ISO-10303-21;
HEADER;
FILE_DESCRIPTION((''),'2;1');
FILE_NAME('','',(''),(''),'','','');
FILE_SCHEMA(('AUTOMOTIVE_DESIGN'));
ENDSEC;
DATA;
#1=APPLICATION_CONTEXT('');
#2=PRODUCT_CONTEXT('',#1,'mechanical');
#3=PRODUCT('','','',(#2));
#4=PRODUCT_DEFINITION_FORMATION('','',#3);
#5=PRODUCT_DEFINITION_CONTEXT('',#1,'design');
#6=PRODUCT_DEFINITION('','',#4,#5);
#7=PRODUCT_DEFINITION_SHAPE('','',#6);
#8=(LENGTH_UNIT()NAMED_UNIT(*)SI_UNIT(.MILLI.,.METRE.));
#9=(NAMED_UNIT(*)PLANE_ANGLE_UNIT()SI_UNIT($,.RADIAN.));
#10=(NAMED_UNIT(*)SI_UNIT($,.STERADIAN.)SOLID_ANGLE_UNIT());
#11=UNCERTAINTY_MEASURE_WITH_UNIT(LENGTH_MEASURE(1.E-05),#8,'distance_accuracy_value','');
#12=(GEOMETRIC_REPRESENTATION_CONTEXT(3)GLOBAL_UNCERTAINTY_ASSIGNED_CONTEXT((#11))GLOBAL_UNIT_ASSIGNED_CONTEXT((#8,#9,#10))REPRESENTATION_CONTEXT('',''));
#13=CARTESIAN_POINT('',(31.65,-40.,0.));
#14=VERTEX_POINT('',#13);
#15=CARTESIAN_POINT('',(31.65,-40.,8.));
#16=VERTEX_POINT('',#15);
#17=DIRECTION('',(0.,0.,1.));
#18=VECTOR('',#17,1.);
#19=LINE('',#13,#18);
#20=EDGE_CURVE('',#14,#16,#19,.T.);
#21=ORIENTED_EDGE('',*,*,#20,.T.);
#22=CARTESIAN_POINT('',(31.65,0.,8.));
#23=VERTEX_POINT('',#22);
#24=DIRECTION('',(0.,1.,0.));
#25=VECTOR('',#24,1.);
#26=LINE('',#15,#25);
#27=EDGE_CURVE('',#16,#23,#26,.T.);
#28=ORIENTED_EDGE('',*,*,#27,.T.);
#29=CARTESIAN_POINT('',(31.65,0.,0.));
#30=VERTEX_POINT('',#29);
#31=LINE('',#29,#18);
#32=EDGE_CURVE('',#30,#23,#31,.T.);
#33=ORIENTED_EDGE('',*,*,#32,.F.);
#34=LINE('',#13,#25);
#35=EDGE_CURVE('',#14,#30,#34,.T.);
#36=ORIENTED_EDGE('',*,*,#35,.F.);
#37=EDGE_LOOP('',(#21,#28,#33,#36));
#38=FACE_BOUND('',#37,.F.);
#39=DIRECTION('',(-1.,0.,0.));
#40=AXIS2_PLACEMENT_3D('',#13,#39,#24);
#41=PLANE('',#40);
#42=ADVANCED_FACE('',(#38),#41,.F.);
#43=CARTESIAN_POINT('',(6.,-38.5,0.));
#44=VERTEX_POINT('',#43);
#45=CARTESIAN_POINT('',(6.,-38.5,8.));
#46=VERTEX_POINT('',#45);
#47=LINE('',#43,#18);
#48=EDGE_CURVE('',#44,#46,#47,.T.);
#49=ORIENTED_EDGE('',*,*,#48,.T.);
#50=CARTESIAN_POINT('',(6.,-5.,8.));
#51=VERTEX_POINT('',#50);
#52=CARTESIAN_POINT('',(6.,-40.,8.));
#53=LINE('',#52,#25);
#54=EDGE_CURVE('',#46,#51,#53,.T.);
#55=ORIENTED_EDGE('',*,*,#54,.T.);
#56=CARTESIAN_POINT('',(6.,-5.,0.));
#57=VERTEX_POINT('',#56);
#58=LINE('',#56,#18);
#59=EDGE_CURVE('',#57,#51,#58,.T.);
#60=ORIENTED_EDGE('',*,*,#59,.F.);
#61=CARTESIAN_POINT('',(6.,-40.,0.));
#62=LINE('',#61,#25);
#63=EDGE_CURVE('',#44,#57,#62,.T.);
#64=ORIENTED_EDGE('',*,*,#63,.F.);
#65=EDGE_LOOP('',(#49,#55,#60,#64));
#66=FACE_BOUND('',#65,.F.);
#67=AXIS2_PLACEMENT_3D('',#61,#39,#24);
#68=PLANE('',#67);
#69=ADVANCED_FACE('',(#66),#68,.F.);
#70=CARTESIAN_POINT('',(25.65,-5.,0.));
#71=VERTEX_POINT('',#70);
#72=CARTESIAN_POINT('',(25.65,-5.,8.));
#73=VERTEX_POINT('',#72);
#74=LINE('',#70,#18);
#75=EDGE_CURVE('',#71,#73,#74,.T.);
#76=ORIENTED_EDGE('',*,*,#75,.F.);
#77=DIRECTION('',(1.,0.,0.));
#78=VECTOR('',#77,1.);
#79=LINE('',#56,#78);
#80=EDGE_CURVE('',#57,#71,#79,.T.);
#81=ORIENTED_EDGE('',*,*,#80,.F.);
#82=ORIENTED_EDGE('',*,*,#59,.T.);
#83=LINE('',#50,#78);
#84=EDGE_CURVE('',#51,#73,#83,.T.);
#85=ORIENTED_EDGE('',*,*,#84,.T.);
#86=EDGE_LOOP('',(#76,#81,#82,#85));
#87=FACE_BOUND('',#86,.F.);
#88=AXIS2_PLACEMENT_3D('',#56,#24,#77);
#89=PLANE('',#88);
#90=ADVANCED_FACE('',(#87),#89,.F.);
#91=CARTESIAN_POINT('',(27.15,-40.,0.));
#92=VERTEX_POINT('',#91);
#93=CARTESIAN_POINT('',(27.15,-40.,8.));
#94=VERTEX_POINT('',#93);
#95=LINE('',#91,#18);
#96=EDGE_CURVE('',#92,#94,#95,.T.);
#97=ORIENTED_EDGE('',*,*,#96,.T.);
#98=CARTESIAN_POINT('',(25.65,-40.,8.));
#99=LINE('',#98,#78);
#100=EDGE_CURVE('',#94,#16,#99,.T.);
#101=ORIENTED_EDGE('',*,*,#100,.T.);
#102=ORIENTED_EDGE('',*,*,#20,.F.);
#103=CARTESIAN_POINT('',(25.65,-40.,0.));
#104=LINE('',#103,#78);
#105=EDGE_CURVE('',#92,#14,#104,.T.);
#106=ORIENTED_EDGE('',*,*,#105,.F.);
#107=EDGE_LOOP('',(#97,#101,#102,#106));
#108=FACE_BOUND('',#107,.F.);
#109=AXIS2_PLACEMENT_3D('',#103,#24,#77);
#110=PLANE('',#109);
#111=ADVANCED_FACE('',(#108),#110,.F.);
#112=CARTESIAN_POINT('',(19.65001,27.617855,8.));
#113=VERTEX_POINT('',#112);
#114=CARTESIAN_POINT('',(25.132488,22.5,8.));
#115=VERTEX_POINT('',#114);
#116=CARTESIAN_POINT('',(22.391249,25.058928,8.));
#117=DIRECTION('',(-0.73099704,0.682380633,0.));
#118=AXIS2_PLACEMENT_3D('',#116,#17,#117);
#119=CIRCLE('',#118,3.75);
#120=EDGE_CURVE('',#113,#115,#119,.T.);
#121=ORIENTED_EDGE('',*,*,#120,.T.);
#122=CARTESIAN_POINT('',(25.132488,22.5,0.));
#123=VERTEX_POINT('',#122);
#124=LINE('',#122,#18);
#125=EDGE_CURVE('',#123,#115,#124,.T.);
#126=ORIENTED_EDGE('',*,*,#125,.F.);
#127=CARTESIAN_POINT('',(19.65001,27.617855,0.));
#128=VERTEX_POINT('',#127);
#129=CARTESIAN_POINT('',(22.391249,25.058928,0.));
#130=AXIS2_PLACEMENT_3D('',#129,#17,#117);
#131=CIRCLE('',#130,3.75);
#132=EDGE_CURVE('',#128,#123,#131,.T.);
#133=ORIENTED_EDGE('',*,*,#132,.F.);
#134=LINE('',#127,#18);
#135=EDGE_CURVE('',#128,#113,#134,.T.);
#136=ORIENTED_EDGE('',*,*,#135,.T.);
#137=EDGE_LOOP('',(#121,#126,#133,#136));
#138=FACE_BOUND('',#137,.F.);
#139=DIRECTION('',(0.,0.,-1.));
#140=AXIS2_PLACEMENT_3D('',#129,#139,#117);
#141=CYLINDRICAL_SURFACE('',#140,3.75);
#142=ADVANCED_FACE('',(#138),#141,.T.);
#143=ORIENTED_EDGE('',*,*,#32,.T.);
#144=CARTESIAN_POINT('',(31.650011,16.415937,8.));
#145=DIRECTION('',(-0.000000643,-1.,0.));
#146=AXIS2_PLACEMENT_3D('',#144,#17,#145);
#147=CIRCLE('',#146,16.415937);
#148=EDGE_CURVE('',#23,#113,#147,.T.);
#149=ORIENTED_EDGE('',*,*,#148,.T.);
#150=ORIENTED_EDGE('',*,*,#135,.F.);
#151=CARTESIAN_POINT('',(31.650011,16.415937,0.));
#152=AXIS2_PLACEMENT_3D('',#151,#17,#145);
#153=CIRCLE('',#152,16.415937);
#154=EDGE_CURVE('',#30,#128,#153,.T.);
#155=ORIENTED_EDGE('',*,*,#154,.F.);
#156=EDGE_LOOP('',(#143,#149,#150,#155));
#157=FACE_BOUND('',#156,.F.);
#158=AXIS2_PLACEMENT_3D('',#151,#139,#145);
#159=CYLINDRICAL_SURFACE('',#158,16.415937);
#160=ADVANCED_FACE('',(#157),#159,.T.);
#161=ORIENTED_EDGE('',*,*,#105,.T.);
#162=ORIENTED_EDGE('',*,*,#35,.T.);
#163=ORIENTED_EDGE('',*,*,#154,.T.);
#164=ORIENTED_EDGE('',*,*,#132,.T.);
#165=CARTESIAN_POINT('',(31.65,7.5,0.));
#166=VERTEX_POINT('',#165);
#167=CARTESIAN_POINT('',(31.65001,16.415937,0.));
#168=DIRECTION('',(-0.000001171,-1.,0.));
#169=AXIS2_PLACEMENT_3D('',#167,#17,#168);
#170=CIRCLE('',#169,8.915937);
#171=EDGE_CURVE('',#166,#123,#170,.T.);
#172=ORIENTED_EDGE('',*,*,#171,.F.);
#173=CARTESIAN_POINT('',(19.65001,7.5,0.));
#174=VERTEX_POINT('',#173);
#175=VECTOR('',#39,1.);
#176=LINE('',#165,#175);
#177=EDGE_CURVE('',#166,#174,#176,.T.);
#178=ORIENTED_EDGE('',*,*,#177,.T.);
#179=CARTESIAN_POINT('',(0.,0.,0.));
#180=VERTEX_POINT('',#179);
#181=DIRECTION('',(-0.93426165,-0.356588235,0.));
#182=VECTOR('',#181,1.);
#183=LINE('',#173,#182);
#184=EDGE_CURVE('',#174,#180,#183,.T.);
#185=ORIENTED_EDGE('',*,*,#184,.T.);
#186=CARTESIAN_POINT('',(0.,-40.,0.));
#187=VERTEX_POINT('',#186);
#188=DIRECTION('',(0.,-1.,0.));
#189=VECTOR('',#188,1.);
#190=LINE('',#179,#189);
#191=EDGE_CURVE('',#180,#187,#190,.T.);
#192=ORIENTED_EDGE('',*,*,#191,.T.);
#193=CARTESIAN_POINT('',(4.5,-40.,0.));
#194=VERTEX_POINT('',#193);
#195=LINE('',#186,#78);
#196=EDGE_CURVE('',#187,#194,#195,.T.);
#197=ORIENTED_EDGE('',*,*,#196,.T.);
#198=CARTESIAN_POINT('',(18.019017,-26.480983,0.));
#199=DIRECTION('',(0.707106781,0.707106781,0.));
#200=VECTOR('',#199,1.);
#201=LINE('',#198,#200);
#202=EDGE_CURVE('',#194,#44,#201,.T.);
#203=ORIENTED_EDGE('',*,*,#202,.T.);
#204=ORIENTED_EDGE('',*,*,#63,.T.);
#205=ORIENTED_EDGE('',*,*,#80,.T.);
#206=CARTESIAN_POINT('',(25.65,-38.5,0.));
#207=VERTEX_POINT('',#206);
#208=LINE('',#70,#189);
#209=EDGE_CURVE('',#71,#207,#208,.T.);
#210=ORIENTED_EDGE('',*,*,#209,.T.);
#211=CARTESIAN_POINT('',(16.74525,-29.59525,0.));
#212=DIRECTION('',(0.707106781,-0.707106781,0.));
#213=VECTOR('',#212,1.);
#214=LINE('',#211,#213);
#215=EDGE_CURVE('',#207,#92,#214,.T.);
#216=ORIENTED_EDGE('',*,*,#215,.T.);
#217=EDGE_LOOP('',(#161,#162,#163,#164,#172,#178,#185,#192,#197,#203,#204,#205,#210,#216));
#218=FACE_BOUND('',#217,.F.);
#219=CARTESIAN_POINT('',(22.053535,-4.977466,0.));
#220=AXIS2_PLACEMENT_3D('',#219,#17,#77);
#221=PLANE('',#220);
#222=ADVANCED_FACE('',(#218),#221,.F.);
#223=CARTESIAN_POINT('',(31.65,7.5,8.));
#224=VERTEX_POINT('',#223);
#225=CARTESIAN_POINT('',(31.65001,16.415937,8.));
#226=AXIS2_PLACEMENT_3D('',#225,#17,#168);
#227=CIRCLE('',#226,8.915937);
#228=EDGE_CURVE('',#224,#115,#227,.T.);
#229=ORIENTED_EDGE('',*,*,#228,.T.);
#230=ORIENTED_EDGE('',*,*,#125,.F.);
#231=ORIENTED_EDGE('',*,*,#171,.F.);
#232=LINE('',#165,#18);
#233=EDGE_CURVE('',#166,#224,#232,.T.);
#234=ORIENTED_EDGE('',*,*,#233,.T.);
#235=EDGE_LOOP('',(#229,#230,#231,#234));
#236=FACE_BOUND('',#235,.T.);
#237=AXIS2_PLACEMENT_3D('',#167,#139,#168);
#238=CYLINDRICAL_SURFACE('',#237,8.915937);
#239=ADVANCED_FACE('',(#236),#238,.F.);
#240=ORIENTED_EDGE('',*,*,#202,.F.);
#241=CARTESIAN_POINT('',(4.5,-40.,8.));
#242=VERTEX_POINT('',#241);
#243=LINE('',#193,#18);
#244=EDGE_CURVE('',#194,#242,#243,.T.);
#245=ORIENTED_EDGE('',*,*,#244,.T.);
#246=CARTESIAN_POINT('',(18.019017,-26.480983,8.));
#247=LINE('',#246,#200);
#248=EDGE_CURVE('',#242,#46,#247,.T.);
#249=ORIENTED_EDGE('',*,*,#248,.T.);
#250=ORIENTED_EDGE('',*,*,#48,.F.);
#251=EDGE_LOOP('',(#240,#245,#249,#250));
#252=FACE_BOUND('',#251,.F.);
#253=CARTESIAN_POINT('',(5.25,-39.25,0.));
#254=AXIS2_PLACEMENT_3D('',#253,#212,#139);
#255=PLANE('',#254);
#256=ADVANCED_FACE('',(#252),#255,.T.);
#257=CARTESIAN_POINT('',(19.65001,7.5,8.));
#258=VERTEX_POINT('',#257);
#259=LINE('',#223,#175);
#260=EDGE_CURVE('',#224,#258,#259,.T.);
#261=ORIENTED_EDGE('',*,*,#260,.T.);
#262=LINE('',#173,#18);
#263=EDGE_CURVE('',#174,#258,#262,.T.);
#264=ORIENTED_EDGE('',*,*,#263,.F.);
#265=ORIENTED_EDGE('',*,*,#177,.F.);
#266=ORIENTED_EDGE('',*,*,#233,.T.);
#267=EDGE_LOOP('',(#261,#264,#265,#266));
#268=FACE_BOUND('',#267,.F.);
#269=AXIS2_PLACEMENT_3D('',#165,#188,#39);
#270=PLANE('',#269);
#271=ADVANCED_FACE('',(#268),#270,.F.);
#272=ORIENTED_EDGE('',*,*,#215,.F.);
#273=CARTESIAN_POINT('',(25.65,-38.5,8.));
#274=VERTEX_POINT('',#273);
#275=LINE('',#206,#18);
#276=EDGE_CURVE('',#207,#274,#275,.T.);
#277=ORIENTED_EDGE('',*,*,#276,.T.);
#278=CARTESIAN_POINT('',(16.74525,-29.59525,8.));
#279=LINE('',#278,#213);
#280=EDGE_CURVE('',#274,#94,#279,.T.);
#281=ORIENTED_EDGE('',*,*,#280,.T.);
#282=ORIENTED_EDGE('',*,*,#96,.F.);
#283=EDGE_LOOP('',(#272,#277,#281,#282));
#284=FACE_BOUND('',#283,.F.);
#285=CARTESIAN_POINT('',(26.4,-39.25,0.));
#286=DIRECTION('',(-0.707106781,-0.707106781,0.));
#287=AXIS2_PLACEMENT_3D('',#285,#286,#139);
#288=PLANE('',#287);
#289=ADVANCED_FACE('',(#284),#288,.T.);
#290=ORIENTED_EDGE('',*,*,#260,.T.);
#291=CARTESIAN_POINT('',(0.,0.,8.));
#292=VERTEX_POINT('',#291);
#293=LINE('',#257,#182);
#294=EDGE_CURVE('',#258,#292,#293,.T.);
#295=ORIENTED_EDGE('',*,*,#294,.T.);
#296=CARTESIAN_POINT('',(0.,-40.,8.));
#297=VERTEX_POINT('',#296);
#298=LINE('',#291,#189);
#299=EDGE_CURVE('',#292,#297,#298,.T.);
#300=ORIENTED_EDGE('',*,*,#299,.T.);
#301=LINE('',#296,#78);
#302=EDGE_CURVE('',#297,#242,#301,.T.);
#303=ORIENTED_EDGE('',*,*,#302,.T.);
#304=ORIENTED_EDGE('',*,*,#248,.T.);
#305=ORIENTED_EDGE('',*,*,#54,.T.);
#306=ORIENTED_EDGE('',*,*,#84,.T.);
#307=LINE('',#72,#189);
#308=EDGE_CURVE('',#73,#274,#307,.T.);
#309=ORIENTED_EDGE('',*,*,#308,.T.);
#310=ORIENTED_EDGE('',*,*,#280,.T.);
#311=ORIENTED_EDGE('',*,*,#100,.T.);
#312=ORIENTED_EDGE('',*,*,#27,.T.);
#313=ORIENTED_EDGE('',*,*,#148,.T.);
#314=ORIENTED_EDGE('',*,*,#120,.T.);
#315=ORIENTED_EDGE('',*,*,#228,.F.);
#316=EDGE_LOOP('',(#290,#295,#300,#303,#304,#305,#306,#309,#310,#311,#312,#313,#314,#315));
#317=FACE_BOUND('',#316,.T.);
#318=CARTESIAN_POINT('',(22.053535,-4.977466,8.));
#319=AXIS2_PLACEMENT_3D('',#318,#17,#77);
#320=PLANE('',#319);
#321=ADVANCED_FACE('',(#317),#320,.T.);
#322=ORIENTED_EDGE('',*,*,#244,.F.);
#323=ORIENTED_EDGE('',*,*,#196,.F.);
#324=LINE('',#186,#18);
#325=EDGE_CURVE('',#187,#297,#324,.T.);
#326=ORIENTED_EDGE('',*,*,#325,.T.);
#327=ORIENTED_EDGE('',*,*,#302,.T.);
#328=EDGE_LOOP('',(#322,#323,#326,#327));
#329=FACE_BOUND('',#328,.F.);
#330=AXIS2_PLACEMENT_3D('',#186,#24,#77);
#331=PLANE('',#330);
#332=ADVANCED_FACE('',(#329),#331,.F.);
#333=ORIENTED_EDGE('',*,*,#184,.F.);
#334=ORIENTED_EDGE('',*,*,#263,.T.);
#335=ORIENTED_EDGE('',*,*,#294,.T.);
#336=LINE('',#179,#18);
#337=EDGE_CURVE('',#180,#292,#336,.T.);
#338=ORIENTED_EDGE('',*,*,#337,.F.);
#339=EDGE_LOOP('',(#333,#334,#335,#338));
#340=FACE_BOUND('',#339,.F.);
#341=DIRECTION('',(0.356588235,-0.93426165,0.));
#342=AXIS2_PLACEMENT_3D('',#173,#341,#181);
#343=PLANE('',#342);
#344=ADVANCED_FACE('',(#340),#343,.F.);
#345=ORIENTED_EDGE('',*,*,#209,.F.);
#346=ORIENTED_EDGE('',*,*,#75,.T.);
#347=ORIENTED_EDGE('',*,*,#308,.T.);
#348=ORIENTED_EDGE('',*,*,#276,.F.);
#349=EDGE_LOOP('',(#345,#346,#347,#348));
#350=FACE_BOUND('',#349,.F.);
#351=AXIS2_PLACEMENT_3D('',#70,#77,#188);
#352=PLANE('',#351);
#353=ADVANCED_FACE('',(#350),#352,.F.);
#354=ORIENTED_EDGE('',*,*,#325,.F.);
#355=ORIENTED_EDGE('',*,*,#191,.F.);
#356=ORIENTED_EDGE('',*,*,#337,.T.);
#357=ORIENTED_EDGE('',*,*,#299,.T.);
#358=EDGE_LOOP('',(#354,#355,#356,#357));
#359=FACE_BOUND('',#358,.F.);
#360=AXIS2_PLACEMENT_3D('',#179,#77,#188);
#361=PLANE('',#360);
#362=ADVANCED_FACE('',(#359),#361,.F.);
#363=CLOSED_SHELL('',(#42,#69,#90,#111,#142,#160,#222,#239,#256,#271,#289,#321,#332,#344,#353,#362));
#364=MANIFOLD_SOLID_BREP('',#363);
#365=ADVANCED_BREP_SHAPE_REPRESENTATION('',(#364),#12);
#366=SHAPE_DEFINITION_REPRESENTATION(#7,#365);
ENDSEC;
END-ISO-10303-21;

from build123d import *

# Parameters (mm, degrees)
PAD_DEPTH    = 8
CHAMFER_SIZE = 1.5


with BuildPart() as part:
    # Sketch → Pad (new body)
    with BuildSketch(Plane.XY):
        with BuildLine():
            ThreePointArc((31.65, 0), (46.706124, 22.957835), (19.65001, 27.617855))
            ThreePointArc((19.65001, 27.617855), (19.832321, 22.317689), (25.132488, 22.5))
            ThreePointArc((31.65, 7.5), (39.827391, 19.969016), (25.132488, 22.5))
            Line((31.65, 7.5), (19.65001, 7.5))
            Line((19.65001, 7.5), (0, 0))
            Line((0, 0), (0, -40))
            Line((0, -40), (6, -40))
            Line((6, -40), (6, -5))
            Line((6, -5), (25.65, -5))
            Line((25.65, -5), (25.65, -40))
            Line((25.65, -40), (31.65, -40))
            Line((31.65, -40), (31.65, 0))
        make_face()
    extrude(amount=PAD_DEPTH)

    # Chamfer
    chamfer_edges = [part.edges().sort_by_distance(p)[0] for p in [
        (6, -40, 4),
        (25.65, -40, 4),
    ]]
    chamfer(chamfer_edges, length=CHAMFER_SIZE)


solid = part.part
